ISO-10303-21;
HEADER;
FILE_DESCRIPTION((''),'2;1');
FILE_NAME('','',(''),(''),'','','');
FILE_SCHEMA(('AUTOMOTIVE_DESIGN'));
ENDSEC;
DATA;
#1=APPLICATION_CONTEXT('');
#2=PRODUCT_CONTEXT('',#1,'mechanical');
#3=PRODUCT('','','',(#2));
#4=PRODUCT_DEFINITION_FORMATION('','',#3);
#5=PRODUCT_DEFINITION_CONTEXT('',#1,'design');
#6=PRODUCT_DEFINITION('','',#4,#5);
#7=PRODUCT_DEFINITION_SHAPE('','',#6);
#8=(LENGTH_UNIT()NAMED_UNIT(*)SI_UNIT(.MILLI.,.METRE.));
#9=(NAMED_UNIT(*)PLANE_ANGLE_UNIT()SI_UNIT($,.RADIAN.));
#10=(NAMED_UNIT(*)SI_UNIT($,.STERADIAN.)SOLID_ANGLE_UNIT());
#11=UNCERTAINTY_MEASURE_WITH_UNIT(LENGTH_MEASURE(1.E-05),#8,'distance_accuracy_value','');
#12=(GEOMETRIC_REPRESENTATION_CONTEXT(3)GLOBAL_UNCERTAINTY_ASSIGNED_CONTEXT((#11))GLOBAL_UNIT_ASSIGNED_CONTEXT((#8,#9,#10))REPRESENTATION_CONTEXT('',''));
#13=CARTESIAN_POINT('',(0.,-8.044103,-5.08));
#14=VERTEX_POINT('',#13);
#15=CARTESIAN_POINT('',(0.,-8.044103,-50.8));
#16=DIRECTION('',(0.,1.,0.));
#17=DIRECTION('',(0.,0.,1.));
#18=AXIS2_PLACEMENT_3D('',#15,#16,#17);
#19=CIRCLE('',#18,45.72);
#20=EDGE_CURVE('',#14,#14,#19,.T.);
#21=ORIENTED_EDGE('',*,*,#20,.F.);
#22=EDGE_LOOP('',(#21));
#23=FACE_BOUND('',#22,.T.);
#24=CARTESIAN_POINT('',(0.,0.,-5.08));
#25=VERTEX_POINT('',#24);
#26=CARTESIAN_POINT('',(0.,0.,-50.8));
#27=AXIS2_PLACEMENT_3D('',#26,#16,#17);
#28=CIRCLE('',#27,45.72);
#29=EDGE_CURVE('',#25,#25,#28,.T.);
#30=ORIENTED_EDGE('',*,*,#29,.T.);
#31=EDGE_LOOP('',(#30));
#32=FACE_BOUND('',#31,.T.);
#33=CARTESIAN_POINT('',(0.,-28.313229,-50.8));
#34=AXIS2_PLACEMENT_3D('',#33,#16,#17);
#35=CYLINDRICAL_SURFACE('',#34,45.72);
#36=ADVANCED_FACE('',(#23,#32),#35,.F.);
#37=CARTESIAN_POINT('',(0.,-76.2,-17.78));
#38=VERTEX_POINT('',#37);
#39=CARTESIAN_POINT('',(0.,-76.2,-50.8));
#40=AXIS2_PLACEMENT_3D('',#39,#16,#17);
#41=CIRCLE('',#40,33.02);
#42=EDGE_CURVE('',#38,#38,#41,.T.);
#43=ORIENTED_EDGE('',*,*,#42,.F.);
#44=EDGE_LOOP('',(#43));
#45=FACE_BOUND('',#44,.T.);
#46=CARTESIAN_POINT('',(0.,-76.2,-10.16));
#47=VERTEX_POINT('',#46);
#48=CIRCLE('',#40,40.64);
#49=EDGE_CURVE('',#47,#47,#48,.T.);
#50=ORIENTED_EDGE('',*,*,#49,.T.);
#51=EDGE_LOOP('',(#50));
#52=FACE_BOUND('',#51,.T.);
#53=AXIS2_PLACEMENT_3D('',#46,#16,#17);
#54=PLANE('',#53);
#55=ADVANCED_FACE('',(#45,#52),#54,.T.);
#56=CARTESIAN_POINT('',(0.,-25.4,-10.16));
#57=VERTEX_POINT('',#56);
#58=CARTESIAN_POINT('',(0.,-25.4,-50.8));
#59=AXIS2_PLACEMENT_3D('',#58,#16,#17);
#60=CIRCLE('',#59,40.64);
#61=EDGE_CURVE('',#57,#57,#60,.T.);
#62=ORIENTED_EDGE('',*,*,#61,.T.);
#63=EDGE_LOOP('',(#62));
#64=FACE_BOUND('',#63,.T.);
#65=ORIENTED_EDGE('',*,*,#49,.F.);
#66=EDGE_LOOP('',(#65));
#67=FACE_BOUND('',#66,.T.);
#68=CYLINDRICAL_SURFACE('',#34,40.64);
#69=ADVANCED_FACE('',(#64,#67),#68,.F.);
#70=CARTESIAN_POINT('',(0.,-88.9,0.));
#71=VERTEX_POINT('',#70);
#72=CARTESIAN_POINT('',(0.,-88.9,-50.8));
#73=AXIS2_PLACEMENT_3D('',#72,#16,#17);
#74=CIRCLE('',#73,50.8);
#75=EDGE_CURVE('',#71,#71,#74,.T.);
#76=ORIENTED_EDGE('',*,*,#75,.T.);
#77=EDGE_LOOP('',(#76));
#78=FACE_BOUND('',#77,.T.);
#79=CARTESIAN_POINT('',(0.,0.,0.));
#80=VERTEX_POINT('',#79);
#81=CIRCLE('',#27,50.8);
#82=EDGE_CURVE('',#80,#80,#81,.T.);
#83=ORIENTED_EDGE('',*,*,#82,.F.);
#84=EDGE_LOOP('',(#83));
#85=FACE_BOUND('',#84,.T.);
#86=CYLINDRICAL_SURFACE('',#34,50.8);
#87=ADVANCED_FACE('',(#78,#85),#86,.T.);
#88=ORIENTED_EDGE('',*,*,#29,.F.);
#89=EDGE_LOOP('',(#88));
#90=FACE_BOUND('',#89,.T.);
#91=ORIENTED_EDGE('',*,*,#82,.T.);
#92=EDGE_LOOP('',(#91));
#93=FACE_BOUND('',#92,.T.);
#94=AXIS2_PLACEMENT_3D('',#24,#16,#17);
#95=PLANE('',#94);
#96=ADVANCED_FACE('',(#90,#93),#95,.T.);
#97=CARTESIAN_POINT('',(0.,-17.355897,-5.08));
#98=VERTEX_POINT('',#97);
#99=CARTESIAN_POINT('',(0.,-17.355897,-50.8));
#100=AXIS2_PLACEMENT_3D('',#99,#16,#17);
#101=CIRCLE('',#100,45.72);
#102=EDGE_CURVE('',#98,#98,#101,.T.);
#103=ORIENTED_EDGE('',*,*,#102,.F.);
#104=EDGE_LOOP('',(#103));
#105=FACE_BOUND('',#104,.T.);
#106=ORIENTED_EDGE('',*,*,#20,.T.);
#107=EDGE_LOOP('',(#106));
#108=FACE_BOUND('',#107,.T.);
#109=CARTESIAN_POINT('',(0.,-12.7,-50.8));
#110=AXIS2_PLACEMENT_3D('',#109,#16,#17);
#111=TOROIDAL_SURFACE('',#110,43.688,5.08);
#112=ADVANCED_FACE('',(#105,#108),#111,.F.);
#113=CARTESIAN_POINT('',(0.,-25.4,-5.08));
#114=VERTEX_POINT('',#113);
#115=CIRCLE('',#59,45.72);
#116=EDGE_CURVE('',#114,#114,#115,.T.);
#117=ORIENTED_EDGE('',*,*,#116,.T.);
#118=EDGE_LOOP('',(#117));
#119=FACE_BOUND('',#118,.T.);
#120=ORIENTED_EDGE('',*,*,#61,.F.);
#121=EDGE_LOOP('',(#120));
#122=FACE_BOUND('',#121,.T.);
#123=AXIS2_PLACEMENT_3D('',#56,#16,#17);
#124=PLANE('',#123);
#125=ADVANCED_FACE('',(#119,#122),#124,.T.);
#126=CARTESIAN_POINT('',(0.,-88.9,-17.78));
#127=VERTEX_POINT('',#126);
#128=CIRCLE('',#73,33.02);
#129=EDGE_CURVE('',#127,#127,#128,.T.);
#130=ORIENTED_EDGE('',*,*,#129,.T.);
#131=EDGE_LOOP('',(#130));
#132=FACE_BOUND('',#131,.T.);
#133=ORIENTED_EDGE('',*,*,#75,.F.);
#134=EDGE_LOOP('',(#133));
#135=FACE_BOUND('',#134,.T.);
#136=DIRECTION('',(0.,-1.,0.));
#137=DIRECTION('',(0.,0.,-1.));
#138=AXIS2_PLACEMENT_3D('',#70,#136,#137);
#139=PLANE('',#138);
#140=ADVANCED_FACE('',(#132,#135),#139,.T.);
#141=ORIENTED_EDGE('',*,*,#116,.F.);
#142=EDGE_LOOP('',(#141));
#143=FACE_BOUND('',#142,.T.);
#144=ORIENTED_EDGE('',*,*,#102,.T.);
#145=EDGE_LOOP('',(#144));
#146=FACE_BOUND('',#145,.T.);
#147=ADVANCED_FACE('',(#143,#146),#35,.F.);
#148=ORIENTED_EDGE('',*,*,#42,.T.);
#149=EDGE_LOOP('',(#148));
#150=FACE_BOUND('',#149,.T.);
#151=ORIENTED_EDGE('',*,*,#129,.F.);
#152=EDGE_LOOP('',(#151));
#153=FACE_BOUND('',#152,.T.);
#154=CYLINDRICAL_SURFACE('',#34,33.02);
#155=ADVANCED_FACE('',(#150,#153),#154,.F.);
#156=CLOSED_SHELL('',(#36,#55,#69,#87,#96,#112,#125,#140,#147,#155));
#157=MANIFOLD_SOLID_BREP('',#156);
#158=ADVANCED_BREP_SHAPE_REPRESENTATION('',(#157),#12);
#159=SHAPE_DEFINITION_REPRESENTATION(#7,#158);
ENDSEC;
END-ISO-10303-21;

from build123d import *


with BuildPart() as part:
    # Sketch1 → Revolve1 (revolve)
    with BuildSketch(Plane(origin=(0, 0, 0), x_dir=(0, 0, -1), z_dir=(1, 0, 0))):
        with BuildLine():
            Line((0, 0), (0, -88.9))
            Line((0, -88.9), (10.16, -88.9))
            Line((10.16, -88.9), (17.78, -88.9))
            Line((17.78, -88.9), (17.78, -76.2))
            Line((17.78, -76.2), (10.16, -76.2))
            Line((10.16, -76.2), (10.16, -25.4))
            Line((10.16, -25.4), (5.08, -25.4))
            Line((5.08, -25.4), (5.08, -17.355896906))
            ThreePointArc((5.08, -17.355896906), (2.032, -12.7), (5.08, -8.044103094))
            Line((5.08, -8.044103094), (5.08, 0))
            Line((5.08, 0), (0, 0))
        make_face()
    revolve(axis=Axis((0, -28.313229254, -50.8), (0, -1, 0)))


solid = part.part
